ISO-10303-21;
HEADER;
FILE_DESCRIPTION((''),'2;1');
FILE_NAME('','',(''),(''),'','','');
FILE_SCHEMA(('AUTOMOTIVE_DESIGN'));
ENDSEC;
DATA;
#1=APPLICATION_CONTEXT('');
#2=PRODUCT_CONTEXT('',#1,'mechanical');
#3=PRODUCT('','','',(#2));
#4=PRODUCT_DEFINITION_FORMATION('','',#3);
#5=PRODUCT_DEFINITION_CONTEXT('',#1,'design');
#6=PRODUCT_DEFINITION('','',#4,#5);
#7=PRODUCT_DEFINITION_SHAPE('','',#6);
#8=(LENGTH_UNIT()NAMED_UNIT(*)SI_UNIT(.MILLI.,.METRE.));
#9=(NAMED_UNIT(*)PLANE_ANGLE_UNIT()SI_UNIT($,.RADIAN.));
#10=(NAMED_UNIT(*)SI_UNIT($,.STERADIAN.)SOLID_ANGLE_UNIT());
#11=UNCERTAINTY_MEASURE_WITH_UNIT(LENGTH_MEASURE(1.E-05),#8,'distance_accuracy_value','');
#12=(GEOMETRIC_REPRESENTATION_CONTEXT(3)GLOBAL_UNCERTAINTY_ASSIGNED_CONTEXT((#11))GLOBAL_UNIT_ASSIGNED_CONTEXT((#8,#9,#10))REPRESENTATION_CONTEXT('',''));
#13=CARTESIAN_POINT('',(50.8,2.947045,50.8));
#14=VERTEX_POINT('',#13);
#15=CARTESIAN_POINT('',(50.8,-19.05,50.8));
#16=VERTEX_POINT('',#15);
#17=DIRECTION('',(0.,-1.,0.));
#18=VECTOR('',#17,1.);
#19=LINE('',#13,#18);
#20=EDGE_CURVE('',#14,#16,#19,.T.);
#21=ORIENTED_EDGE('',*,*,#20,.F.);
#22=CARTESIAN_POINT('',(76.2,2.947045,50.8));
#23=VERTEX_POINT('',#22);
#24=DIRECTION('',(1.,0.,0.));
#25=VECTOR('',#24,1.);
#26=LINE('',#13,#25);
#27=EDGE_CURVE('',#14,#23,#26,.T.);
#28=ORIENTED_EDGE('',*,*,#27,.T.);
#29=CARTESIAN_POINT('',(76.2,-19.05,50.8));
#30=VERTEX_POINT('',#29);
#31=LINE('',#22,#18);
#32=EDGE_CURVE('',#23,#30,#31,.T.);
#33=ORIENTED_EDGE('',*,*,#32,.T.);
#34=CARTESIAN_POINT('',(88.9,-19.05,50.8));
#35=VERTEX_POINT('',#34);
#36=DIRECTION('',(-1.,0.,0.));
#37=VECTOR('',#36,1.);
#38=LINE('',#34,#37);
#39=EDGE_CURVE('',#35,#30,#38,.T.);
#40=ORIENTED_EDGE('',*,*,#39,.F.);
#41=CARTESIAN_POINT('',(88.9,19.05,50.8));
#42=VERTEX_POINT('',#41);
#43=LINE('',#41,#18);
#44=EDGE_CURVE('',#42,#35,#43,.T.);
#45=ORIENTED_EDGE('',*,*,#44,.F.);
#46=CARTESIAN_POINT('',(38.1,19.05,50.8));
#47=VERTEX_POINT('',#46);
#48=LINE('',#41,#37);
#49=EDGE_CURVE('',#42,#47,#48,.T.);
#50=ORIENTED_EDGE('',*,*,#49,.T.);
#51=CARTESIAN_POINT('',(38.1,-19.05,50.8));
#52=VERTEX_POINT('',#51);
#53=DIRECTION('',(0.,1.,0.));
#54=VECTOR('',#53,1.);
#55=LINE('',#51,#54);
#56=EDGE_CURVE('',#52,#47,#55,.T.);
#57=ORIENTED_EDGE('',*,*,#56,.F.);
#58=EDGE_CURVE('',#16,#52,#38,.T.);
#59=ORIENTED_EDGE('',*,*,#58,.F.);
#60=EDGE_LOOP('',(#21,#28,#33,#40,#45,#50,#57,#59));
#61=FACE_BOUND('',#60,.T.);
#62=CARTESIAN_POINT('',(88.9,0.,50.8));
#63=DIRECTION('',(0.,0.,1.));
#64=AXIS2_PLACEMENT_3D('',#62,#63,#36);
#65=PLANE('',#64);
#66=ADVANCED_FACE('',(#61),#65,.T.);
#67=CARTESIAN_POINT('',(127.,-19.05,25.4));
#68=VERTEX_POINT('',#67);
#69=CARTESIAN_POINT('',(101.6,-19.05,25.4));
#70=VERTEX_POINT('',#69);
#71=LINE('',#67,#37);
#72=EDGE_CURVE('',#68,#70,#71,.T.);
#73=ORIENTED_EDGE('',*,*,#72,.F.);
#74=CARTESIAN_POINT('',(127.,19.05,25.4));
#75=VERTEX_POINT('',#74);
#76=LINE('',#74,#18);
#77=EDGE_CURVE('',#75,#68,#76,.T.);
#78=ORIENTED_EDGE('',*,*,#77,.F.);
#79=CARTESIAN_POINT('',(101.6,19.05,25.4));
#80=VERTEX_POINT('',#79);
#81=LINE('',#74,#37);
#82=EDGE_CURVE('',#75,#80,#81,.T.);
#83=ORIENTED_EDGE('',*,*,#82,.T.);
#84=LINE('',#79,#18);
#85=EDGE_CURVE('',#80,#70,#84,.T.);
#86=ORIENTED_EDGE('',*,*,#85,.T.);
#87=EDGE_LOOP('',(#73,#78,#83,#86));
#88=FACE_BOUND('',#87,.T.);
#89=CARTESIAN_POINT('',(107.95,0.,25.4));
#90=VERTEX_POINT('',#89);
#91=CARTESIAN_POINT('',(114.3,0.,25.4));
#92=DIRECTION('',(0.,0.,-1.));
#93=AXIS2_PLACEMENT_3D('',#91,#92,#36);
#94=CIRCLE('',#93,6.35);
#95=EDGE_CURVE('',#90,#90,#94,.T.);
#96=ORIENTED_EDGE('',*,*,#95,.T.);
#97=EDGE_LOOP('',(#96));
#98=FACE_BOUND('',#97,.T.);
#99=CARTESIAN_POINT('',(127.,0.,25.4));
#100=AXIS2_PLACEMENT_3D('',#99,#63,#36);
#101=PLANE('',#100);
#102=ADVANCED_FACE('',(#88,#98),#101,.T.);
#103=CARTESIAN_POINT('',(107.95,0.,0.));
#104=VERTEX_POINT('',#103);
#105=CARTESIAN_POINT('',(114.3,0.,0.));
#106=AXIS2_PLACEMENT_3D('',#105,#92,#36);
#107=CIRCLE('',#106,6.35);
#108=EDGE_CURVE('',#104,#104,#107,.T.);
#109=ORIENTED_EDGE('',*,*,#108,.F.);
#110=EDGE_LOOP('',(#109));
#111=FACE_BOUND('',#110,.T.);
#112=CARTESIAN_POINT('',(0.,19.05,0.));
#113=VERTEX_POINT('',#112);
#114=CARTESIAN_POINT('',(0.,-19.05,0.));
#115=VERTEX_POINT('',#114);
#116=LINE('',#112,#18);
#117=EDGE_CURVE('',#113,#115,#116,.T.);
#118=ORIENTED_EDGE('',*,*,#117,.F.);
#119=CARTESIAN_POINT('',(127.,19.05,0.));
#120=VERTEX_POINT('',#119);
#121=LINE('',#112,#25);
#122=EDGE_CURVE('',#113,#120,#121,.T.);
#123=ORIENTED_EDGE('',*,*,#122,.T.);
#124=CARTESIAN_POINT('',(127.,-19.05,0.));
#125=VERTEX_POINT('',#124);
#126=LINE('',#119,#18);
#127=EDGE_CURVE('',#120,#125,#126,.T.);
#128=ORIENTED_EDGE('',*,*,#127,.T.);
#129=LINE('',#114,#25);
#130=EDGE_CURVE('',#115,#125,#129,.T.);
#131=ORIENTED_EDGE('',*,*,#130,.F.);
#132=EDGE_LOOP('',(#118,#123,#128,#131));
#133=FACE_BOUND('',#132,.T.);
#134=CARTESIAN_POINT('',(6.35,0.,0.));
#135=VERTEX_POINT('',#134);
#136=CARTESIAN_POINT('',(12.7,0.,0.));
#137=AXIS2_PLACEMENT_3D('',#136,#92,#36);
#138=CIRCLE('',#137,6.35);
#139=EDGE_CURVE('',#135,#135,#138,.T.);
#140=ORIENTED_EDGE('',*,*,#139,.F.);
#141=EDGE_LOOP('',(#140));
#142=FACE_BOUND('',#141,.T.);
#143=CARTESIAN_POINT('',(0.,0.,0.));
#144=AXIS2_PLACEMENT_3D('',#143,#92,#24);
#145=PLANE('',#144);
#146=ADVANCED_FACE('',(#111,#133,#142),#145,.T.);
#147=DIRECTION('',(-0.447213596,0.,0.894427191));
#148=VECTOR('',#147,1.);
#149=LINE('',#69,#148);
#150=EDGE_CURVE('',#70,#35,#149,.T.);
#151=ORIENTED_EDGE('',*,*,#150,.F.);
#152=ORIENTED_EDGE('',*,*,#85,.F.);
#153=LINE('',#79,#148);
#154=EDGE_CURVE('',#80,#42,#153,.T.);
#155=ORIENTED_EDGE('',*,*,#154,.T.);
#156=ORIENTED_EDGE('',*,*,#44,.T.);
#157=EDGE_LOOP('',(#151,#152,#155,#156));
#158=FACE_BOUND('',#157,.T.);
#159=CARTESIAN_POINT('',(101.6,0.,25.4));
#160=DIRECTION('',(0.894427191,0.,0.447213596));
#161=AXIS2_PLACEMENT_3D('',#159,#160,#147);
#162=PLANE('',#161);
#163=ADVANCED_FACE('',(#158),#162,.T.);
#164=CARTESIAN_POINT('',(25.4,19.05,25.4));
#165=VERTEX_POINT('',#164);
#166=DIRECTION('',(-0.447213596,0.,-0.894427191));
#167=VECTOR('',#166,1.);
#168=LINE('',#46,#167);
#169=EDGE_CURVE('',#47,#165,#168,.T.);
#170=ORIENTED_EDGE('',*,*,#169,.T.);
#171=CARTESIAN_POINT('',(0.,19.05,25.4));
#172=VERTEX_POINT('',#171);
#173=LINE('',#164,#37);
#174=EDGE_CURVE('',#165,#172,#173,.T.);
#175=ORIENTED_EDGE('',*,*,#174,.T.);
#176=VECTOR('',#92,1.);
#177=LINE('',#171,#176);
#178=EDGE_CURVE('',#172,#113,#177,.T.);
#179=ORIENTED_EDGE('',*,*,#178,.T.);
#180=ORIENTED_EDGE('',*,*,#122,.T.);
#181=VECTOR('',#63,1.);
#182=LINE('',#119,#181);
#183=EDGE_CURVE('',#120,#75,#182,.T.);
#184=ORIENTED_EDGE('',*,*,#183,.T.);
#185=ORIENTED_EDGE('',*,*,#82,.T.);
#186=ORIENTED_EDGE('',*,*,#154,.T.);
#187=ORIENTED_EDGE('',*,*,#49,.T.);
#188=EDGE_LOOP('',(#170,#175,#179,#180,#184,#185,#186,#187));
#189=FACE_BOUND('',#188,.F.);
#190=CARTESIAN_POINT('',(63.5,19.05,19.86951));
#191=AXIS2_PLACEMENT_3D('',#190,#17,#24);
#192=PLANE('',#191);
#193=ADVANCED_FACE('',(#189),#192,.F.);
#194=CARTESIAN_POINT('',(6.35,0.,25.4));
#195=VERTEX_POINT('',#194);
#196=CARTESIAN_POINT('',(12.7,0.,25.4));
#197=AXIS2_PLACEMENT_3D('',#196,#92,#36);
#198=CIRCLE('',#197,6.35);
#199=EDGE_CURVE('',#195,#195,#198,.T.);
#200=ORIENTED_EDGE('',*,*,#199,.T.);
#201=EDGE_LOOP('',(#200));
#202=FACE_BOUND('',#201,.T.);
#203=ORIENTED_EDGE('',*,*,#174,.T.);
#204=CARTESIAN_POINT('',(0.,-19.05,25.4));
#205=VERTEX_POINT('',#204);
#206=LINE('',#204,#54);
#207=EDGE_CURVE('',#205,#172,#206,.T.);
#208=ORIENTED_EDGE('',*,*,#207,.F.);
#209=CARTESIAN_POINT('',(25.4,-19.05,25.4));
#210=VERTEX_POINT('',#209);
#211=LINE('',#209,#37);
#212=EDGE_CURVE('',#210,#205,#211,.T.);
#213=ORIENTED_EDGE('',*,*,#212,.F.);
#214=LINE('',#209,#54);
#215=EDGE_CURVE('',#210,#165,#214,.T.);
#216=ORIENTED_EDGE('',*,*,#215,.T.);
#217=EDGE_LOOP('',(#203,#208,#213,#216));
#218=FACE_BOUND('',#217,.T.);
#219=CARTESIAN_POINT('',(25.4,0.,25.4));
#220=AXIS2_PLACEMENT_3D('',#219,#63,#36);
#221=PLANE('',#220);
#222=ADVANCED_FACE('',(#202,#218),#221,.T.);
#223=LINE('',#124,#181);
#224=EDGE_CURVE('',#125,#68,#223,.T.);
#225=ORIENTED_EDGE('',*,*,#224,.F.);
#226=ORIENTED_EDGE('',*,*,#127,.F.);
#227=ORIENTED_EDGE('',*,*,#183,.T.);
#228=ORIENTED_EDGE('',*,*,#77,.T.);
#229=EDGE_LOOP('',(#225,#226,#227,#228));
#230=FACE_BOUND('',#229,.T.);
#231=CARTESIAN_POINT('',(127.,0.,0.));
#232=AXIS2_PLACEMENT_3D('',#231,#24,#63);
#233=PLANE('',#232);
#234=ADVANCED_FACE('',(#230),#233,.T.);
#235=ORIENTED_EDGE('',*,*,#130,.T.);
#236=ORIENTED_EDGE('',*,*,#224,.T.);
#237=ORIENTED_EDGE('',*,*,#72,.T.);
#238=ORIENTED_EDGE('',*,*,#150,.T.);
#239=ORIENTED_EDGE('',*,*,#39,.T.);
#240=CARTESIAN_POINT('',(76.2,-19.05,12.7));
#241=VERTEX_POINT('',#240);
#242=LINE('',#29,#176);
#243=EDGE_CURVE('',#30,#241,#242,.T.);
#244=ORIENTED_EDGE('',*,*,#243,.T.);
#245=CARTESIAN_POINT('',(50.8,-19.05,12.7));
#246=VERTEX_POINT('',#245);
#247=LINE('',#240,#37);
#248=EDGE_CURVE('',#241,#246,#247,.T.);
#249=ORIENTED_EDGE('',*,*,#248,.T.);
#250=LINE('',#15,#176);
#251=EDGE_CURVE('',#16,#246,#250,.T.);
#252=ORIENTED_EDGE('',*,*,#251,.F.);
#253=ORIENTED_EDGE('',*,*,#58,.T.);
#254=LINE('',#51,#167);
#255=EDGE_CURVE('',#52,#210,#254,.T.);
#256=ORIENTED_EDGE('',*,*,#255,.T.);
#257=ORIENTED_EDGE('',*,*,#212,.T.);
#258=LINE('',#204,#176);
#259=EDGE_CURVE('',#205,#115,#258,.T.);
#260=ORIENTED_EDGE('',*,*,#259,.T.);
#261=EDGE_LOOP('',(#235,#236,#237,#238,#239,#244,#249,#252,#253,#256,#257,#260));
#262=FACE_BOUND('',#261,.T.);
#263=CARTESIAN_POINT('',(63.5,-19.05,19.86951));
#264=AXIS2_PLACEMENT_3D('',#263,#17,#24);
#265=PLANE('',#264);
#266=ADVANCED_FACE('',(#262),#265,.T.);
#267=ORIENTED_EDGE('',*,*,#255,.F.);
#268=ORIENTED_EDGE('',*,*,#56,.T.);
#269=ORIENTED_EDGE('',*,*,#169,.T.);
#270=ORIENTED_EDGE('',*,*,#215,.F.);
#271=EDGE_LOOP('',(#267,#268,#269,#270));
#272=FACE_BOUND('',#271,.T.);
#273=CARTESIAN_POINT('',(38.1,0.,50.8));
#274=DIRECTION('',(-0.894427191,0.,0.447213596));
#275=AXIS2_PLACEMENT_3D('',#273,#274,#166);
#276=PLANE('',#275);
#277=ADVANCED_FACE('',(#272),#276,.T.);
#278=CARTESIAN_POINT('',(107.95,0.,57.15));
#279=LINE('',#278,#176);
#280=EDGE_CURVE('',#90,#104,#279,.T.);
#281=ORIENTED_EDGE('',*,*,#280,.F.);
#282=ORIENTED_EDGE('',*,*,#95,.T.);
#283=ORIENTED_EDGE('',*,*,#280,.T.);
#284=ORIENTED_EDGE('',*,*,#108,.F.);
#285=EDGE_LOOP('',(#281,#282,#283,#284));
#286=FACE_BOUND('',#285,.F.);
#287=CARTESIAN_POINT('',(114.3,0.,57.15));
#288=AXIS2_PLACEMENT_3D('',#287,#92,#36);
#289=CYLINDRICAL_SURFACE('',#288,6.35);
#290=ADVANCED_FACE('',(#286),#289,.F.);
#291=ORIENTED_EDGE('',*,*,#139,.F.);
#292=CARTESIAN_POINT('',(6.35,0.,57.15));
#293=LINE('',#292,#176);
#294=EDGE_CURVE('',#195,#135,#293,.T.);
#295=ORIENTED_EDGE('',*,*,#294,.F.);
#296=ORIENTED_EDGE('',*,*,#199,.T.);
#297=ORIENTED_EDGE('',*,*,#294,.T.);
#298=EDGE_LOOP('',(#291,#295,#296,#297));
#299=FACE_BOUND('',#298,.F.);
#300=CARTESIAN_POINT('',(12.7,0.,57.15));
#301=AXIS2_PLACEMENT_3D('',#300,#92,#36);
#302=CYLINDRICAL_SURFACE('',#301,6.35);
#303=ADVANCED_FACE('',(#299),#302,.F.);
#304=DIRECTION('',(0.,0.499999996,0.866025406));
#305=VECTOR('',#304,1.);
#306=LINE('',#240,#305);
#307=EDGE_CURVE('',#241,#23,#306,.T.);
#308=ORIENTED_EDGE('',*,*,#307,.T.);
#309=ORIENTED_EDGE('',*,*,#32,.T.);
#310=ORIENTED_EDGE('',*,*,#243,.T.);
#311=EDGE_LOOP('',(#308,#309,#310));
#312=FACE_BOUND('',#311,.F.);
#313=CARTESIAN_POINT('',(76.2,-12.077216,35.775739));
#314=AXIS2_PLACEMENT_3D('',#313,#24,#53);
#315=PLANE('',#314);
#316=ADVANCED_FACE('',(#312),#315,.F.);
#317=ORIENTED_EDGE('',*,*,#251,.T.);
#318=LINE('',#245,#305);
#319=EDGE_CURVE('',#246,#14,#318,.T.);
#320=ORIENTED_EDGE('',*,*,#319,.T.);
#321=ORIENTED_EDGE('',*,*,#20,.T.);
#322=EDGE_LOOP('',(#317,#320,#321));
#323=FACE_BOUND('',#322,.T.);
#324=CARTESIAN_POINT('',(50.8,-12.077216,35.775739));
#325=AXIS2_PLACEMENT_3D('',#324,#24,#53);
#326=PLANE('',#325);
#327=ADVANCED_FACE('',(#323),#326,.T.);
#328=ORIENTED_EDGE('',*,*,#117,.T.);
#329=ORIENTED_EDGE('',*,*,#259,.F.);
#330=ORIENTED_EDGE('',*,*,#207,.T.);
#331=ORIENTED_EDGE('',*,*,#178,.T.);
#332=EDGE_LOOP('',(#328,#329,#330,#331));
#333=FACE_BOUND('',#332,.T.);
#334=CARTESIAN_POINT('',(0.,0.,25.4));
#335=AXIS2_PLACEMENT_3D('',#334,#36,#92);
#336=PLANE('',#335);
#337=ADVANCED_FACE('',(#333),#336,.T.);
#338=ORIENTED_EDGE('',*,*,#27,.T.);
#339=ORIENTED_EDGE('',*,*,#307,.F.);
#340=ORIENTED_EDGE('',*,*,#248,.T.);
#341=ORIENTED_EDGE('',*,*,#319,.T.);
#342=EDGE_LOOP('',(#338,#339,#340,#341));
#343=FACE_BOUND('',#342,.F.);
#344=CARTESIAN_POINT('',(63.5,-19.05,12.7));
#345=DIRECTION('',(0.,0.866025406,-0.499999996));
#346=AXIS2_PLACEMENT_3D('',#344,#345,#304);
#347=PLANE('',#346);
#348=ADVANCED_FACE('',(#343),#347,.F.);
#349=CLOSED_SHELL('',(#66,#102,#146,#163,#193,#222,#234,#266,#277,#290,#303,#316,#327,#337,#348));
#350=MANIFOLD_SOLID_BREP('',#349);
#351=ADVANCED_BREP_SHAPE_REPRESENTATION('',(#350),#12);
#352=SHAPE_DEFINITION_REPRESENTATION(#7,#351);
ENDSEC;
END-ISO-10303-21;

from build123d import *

# Parameters (mm, degrees)
F1_DEPTH = 19.05
F3_D     = 12.7
F3_DEPTH = 31.75
F6_DEPTH = 12.7


with BuildPart() as f1:
    # F0 (on Front) → F1 (new body, symmetric)
    with BuildSketch(Plane.XZ):
        Polygon((0, 25.4), (0, 0), (127, 0), (127, 25.4), (101.6, 25.4), (88.9, 50.8), (38.1, 50.8), (25.4, 25.4), align=None)
    extrude(amount=F1_DEPTH, both=True)

    # F3
    with Locations(Plane.XY.offset(25.4)):
        with Locations((12.7, 0), (114.3, 0)):
            Hole(F3_D / 2, depth=F3_DEPTH)

    # F5 (on offset) → F6 (cut, symmetric)
    with BuildSketch(Plane.YZ.offset(63.5)):
        Polygon((-19.05, 12.7), (2.947045, 50.8), (-19.05, 50.8), align=None)
    extrude(amount=F6_DEPTH, both=True, mode=Mode.SUBTRACT)


solid = f1.part
